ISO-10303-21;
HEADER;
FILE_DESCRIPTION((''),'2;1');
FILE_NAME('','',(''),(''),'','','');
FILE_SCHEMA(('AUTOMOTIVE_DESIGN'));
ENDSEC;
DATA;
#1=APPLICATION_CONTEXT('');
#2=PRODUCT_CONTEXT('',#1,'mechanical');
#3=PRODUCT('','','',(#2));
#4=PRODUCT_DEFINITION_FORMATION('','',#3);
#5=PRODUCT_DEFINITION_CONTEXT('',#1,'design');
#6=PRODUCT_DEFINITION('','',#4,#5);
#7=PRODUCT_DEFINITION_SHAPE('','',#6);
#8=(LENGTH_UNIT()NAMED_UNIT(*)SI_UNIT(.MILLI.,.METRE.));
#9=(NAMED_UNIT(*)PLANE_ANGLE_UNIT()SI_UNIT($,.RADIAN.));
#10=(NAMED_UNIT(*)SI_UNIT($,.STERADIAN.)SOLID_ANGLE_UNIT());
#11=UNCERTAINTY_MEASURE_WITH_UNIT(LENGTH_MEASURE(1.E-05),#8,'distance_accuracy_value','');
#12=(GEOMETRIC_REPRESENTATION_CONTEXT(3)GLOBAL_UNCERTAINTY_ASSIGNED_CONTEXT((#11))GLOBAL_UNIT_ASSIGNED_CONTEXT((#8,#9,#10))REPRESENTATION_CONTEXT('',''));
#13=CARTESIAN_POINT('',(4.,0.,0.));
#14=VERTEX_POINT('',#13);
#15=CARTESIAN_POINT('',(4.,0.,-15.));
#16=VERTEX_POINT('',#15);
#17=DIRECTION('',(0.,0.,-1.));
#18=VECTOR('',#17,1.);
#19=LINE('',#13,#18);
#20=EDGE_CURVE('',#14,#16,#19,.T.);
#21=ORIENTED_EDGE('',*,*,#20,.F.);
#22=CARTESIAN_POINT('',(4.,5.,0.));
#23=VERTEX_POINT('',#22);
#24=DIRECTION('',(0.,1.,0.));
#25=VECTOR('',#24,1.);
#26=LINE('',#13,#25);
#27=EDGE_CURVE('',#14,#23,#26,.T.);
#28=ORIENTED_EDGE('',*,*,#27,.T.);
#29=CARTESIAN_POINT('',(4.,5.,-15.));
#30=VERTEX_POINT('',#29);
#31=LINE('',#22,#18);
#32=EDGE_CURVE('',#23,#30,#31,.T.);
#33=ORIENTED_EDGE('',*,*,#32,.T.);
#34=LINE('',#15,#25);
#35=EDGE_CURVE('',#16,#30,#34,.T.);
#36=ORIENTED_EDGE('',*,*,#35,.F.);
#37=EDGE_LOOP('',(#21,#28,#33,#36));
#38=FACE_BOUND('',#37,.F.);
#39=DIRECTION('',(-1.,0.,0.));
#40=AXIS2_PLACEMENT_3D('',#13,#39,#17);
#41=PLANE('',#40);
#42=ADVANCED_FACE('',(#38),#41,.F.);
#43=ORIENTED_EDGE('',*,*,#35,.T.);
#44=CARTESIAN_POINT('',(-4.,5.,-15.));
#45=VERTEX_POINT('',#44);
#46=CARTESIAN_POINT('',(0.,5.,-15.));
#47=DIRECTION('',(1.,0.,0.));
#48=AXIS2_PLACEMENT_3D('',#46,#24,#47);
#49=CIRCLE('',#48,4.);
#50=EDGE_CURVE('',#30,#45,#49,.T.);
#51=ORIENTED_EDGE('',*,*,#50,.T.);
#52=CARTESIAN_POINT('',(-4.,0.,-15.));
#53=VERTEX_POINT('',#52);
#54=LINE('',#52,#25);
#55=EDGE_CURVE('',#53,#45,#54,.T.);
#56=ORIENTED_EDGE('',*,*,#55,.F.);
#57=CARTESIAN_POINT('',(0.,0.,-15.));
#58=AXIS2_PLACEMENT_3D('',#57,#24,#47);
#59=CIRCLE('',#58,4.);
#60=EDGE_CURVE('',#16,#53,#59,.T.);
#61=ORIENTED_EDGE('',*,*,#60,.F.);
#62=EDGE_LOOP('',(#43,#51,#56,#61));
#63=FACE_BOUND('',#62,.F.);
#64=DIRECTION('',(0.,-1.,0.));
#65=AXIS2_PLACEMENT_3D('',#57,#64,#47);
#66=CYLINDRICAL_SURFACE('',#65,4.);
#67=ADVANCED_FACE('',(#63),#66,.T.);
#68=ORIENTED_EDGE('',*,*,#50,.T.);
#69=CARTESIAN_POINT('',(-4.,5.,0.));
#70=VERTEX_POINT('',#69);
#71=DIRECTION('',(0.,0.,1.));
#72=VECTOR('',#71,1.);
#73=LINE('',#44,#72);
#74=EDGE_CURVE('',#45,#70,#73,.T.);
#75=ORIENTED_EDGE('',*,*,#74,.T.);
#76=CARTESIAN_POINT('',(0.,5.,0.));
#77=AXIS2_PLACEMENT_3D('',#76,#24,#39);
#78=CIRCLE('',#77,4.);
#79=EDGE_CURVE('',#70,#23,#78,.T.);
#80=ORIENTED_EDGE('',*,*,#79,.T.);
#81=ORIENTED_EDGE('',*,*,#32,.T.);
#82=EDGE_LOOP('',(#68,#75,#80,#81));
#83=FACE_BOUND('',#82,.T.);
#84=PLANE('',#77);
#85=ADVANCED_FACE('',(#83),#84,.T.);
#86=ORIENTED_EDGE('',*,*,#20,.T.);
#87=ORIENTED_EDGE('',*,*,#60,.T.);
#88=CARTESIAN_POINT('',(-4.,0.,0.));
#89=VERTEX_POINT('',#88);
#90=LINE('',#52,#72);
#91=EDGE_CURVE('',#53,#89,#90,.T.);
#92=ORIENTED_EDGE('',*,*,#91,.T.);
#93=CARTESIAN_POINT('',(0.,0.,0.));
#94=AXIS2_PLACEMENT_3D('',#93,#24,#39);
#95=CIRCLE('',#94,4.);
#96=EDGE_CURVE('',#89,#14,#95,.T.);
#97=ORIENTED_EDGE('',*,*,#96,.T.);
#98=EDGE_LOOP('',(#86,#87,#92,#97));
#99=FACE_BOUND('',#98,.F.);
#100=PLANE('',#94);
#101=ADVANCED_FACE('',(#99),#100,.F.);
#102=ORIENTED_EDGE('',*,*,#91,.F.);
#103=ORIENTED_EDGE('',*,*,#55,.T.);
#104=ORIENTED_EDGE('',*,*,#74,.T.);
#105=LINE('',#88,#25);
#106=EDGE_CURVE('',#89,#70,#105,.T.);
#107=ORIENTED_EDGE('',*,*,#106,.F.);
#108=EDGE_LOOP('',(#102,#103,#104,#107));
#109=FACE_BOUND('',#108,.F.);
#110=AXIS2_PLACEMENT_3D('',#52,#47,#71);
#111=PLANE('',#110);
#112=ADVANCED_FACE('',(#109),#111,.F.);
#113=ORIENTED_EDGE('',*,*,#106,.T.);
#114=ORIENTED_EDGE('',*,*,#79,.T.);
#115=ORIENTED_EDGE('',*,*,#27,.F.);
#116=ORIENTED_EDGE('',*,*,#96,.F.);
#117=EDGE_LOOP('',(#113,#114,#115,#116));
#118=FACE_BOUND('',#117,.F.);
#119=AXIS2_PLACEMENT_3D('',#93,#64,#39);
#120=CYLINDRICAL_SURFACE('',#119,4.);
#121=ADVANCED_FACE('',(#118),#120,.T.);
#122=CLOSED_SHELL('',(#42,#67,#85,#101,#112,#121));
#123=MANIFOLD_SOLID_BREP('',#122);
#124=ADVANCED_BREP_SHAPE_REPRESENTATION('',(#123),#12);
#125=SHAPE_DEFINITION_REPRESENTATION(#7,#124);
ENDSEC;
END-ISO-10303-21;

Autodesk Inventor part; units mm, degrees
ref_plane "YZ Plane" through (0, 0, 0) normal (1, 0, 0) x (0, 1, 0)
ref_plane "XZ Plane" through (0, 0, 0) normal (0, 1, 0) x (-1, 0, 0)
ref_plane "XY Plane" through (0, 0, 0) normal (0, 0, 1) x (1, 0, 0)
sketch "Sketch1" plane through (0, 0, 0) normal (0, 1, 0) x (-1, 0, 0)
  line L0 (0, 0) -> (0, -15) construction
  line L1 (-4, 0) -> (-4, -15)
  line L2 (4, -15) -> (4, 0)
  arc A0 (4, 0) -> (-4, 0) centre (0, 0) ccw
  arc A1 (-4, -15) -> (4, -15) centre (0, -15) ccw
  point P0 (0, -7.5)
  dimension "d0" = 15
  dimension "d1" = 4
extrude "Extrusion1" add sketch "Sketch1" along normal blind 5
properties part number "nmrv 50 0p shaft- pin"
